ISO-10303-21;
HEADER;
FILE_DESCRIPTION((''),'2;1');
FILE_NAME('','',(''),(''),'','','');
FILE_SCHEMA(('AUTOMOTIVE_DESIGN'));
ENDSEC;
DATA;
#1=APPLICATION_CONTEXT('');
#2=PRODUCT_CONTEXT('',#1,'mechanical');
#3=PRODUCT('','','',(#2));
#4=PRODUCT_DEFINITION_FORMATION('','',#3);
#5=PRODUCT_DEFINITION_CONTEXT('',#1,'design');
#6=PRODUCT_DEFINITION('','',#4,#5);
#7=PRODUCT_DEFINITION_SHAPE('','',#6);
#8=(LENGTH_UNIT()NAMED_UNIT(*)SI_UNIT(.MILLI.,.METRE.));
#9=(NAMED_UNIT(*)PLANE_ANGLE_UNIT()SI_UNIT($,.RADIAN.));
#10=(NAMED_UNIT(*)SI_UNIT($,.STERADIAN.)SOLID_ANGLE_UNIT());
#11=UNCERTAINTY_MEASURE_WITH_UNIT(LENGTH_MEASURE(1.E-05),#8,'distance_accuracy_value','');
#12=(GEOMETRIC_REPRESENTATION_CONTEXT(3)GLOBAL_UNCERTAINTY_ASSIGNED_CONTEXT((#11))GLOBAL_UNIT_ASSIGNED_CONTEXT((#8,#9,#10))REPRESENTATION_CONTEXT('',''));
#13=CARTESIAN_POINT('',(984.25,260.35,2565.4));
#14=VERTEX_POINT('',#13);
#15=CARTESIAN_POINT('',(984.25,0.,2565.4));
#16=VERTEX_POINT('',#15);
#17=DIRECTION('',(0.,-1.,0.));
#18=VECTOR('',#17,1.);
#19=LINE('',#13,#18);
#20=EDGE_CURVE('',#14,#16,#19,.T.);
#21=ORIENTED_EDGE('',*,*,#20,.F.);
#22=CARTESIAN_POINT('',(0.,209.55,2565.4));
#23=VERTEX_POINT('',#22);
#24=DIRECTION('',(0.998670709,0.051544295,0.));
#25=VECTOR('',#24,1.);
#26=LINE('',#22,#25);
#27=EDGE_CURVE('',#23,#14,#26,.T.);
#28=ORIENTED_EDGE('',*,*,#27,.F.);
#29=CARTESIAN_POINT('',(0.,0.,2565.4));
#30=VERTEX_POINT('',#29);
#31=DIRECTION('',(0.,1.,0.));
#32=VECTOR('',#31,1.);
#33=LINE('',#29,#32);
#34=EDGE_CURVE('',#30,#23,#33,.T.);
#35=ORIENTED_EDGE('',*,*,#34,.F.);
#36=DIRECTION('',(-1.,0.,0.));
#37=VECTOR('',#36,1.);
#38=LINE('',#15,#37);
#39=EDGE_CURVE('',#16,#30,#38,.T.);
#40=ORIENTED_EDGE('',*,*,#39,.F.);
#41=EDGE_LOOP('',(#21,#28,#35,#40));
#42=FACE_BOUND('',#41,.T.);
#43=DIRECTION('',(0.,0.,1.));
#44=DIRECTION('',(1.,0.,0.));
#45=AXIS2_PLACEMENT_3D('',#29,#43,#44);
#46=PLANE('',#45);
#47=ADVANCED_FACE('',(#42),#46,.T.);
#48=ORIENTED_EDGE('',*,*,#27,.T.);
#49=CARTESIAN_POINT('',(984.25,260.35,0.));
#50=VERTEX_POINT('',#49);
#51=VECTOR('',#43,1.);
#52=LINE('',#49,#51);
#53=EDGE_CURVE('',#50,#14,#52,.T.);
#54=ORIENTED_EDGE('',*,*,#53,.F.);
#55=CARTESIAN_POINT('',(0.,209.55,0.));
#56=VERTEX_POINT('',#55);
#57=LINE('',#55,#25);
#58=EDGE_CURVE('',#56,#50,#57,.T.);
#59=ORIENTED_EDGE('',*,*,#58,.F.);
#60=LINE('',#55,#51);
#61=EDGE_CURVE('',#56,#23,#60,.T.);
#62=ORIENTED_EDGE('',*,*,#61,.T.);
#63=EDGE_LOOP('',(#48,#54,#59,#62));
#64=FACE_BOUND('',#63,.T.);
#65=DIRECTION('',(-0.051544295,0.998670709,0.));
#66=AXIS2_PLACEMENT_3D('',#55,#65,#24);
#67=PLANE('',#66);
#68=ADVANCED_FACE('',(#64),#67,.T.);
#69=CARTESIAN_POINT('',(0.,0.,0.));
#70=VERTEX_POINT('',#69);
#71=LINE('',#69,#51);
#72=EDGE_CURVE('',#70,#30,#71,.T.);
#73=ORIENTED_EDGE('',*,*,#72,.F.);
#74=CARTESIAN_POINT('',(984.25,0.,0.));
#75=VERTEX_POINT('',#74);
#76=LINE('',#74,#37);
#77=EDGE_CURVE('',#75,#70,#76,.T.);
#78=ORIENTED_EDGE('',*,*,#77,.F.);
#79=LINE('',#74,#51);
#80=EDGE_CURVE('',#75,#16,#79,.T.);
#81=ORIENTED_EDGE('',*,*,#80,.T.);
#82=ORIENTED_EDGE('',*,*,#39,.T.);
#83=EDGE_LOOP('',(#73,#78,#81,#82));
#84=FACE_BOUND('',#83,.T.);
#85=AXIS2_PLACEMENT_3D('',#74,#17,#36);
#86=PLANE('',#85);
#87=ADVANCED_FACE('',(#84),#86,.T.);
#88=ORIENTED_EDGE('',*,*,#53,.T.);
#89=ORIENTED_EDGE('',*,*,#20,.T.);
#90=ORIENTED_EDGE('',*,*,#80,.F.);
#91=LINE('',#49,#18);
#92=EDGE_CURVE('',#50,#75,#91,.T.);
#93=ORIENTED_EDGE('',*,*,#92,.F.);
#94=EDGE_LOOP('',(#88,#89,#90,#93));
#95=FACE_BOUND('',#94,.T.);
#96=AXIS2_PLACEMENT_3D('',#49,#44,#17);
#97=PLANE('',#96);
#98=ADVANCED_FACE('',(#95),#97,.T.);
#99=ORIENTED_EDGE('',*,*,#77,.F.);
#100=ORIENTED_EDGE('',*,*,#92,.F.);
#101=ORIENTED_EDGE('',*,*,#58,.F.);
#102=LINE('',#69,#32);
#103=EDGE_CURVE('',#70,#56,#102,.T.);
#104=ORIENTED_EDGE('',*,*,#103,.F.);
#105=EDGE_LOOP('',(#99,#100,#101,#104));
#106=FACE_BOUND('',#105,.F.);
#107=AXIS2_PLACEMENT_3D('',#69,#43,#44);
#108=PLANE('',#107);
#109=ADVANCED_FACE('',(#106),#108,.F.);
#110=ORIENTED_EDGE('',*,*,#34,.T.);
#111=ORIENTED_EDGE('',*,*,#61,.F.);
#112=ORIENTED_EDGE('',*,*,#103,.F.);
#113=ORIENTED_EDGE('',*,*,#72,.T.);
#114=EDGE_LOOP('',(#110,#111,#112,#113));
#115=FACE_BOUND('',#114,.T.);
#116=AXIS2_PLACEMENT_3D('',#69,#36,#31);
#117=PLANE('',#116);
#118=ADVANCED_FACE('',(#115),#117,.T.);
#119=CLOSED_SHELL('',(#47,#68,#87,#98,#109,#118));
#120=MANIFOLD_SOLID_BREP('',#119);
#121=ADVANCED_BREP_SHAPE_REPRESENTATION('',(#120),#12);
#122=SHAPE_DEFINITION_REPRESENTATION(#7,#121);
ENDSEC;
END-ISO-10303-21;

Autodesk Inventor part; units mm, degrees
ref_plane "YZ Plane" through (0, 0, 0) normal (1, 0, 0) x (0, 1, 0)
ref_plane "XZ Plane" through (0, 0, 0) normal (0, 1, 0) x (-1, 0, 0)
ref_plane "XY Plane" through (0, 0, 0) normal (0, 0, 1) x (1, 0, 0)
sketch "Sketch1" plane through (0, 0, 0) normal (0, 0, 1) x (1, 0, 0)
  line L0 (0, 0) -> (0, 209.55)
  line L1 (0, 209.55) -> (984.25, 260.35)
  line L2 (984.25, 260.35) -> (984.25, 0)
  line L3 (984.25, 0) -> (0, 0)
  dimension "d2" = 984.25
  dimension "d3" = 209.55
  dimension "d4" = 260.35
extrude "Extrusion1" add sketch "Sketch1" along normal blind 2565.4
properties part number "Fender"
